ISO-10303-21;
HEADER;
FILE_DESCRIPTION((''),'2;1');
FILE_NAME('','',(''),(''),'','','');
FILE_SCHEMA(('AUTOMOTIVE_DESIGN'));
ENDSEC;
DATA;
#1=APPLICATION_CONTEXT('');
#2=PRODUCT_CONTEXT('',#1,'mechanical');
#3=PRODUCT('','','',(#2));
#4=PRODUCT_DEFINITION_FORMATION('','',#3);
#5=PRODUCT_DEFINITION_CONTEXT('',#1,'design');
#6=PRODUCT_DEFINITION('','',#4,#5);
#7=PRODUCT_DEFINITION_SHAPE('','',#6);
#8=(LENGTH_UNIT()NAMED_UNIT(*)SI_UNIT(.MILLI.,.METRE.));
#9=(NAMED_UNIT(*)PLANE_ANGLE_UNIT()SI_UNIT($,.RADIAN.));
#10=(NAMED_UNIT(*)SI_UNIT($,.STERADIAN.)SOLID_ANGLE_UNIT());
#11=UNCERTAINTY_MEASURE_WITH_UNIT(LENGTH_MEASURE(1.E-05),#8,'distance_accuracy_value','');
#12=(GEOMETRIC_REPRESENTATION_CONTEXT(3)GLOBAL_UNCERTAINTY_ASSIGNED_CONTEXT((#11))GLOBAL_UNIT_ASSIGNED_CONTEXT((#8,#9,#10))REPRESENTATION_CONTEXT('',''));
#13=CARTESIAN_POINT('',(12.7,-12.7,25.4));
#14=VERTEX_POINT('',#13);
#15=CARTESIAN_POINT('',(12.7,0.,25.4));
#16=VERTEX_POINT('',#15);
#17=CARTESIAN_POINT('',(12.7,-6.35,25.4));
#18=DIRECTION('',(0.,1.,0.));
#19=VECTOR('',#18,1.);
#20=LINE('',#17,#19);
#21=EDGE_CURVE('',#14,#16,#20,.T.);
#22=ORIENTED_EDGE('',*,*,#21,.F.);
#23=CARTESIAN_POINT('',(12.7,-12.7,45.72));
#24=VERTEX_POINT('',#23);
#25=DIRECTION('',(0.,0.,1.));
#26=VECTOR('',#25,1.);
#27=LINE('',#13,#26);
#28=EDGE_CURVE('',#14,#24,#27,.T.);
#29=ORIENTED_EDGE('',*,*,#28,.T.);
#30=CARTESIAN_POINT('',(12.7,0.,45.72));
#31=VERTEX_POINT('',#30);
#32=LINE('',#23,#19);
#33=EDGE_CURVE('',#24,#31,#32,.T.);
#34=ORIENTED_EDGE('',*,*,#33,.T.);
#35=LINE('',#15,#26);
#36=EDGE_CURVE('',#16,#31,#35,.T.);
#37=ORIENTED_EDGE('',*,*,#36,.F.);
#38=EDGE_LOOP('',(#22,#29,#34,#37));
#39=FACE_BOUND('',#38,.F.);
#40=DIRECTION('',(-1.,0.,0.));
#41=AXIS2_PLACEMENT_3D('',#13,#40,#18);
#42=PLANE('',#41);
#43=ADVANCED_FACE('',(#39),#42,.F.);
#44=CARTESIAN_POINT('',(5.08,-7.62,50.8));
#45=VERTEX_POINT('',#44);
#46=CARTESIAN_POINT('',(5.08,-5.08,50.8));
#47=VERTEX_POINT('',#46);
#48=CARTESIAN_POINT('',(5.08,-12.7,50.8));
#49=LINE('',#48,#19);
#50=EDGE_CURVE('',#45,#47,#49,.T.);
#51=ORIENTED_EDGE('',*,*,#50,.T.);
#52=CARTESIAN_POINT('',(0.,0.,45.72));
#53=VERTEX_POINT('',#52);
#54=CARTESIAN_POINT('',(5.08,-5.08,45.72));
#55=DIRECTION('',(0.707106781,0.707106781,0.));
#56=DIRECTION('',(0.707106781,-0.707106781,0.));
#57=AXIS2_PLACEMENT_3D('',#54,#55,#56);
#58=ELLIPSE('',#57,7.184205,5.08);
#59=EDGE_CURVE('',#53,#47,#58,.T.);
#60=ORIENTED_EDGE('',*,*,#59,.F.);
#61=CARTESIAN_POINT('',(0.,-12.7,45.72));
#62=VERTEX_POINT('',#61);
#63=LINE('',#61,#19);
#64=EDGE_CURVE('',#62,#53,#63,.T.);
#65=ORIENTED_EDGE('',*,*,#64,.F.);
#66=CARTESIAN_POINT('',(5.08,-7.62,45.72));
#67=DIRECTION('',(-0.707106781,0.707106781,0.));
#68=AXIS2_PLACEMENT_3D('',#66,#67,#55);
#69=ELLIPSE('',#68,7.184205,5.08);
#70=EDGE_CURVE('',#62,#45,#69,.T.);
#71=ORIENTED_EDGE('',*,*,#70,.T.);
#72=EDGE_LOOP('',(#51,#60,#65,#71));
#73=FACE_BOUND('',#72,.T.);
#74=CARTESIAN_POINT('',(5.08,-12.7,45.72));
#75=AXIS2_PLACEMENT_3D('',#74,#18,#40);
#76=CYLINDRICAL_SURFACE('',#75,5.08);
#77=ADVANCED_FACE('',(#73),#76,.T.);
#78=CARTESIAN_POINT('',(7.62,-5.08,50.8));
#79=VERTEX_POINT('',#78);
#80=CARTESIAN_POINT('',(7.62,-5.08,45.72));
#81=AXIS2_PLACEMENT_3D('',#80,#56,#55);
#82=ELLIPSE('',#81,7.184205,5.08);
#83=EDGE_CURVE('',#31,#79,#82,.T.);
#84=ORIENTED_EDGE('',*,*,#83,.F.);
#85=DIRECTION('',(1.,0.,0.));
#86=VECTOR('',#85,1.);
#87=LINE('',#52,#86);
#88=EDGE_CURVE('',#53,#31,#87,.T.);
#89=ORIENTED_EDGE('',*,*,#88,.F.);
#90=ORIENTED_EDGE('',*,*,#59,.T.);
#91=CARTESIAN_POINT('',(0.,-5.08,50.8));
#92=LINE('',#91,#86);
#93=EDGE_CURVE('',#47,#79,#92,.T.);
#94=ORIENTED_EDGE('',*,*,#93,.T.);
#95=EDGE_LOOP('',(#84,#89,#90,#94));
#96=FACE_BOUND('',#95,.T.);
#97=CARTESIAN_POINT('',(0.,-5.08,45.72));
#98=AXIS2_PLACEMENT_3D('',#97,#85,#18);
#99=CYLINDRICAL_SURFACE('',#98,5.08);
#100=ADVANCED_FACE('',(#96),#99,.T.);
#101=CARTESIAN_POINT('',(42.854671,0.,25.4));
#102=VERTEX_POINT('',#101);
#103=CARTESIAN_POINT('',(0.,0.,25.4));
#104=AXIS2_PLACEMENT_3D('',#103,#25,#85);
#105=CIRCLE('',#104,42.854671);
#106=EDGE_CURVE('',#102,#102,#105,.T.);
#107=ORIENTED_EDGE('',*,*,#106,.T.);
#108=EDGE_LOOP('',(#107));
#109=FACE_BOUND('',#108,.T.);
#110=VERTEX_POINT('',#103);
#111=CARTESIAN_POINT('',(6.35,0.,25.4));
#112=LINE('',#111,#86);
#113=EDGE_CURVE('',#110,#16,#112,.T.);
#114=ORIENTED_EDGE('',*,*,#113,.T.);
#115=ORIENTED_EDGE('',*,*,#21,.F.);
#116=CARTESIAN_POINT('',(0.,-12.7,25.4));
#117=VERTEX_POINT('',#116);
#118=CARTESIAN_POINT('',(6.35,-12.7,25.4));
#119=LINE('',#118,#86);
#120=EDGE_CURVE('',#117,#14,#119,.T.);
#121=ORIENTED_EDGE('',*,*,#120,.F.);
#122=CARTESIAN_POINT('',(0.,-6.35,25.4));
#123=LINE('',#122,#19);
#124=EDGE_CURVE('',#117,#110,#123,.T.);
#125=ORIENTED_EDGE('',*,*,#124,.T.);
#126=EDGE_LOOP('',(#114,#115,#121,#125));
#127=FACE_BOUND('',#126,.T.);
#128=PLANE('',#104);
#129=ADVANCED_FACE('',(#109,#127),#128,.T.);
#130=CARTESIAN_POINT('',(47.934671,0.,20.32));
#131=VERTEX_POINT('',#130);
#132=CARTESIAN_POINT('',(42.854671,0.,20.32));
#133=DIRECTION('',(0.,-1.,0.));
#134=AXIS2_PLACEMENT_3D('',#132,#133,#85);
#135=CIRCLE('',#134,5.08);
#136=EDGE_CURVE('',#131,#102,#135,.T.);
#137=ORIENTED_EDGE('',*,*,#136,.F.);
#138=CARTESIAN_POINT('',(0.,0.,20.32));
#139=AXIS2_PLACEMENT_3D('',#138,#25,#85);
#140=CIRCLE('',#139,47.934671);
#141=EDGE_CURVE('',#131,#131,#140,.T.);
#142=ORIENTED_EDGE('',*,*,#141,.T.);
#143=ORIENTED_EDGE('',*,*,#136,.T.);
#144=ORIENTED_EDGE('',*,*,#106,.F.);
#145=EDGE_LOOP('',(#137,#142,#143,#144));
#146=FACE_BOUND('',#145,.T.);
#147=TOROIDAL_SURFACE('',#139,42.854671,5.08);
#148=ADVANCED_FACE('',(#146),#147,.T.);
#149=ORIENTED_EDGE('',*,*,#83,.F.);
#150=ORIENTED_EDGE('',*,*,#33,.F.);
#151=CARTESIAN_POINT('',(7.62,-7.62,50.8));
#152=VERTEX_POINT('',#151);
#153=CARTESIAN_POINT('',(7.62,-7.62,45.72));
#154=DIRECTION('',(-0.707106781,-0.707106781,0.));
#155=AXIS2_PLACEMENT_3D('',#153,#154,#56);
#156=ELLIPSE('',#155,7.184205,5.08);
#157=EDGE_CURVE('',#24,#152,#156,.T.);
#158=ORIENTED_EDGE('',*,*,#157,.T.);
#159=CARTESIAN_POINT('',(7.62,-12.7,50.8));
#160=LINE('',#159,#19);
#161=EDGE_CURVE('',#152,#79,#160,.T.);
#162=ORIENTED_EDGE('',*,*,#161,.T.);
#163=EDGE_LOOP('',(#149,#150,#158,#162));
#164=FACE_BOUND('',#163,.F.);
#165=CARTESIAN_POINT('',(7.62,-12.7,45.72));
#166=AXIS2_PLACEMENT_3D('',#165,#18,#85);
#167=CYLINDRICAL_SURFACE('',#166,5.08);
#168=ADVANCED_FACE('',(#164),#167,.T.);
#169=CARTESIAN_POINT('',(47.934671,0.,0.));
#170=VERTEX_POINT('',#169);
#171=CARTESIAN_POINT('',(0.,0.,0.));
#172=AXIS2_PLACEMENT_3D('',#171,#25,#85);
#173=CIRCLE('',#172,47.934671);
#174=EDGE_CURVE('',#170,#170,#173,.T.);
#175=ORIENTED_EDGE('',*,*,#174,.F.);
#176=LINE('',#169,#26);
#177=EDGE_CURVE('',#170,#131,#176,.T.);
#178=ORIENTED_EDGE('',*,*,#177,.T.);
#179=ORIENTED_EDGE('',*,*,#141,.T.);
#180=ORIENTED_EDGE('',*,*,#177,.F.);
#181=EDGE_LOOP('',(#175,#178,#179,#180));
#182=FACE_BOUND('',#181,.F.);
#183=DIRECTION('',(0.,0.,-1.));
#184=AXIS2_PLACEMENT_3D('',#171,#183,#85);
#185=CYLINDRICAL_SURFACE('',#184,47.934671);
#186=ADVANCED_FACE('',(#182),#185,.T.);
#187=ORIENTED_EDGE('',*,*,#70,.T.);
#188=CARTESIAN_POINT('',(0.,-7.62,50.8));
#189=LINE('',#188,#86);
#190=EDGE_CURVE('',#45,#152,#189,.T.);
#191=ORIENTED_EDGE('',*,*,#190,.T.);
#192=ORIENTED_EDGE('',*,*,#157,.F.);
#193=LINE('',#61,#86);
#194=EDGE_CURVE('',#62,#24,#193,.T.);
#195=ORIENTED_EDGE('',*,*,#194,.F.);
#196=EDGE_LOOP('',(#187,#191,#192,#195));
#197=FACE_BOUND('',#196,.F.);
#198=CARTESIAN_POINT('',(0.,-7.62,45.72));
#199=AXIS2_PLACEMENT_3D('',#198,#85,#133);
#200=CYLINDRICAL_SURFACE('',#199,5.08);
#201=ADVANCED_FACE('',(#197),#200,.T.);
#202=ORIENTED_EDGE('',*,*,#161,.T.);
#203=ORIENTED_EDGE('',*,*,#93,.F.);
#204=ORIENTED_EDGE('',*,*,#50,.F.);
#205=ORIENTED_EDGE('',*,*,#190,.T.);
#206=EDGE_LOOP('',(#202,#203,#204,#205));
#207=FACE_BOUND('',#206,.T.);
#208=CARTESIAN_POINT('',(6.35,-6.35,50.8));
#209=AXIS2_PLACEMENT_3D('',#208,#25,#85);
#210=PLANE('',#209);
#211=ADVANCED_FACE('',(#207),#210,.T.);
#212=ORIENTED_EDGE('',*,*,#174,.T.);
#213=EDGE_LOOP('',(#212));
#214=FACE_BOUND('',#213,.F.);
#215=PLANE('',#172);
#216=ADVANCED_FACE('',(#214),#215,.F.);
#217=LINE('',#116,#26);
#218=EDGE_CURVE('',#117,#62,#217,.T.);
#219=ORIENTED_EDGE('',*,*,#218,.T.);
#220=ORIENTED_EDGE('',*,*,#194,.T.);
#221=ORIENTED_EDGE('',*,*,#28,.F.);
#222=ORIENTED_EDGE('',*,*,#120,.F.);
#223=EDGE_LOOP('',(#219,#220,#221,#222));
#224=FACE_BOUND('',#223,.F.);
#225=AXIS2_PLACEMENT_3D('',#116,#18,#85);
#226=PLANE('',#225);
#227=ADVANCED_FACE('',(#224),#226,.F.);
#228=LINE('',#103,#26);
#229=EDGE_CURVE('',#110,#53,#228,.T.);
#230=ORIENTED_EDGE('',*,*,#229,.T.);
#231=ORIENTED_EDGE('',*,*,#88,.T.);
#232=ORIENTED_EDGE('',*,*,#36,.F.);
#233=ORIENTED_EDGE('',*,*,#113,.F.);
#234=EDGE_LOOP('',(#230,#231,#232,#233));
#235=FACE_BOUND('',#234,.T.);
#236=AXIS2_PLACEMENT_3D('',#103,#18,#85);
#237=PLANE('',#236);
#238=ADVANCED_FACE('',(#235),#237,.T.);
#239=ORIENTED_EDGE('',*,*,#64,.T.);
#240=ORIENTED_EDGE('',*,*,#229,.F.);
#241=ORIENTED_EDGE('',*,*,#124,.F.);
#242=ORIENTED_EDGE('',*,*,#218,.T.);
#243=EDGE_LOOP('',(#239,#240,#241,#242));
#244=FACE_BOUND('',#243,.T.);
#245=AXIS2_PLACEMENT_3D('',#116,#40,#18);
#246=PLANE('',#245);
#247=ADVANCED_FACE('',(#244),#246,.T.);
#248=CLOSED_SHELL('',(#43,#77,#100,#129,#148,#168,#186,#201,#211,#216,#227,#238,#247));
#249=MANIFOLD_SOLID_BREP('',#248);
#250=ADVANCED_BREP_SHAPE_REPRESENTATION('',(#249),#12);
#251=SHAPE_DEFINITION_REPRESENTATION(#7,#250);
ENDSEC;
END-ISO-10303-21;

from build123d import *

# Parameters (mm, degrees)
F0_R     = 47.934671
F1_DEPTH = 25.4
F2_W     = 12.7
F2_H     = 12.7
F3_DEPTH = 25.4
F4_R     = 5.08


with BuildPart() as f1:
    # F0 (on Top) → F1 (new body)
    with BuildSketch(Plane.XY):
        Circle(F0_R)
    extrude(amount=F1_DEPTH)

    # F2 (on face) → F3 (join)
    with BuildSketch(Plane.XY.offset(25.4)):
        with Locations((6.35, -6.35)):
            Rectangle(F2_W, F2_H)
    extrude(amount=F3_DEPTH)

    # F4
    f4_edges = [f1.edges().sort_by_distance(p)[0] for p in [
        (-47.934671, 0, 25.4),
        (6.35, -12.7, 50.8),
        (12.7, -6.35, 50.8),
        (6.35, 0, 50.8),
        (0, -6.35, 50.8),
    ]]
    fillet(f4_edges, radius=F4_R)


solid = f1.part
